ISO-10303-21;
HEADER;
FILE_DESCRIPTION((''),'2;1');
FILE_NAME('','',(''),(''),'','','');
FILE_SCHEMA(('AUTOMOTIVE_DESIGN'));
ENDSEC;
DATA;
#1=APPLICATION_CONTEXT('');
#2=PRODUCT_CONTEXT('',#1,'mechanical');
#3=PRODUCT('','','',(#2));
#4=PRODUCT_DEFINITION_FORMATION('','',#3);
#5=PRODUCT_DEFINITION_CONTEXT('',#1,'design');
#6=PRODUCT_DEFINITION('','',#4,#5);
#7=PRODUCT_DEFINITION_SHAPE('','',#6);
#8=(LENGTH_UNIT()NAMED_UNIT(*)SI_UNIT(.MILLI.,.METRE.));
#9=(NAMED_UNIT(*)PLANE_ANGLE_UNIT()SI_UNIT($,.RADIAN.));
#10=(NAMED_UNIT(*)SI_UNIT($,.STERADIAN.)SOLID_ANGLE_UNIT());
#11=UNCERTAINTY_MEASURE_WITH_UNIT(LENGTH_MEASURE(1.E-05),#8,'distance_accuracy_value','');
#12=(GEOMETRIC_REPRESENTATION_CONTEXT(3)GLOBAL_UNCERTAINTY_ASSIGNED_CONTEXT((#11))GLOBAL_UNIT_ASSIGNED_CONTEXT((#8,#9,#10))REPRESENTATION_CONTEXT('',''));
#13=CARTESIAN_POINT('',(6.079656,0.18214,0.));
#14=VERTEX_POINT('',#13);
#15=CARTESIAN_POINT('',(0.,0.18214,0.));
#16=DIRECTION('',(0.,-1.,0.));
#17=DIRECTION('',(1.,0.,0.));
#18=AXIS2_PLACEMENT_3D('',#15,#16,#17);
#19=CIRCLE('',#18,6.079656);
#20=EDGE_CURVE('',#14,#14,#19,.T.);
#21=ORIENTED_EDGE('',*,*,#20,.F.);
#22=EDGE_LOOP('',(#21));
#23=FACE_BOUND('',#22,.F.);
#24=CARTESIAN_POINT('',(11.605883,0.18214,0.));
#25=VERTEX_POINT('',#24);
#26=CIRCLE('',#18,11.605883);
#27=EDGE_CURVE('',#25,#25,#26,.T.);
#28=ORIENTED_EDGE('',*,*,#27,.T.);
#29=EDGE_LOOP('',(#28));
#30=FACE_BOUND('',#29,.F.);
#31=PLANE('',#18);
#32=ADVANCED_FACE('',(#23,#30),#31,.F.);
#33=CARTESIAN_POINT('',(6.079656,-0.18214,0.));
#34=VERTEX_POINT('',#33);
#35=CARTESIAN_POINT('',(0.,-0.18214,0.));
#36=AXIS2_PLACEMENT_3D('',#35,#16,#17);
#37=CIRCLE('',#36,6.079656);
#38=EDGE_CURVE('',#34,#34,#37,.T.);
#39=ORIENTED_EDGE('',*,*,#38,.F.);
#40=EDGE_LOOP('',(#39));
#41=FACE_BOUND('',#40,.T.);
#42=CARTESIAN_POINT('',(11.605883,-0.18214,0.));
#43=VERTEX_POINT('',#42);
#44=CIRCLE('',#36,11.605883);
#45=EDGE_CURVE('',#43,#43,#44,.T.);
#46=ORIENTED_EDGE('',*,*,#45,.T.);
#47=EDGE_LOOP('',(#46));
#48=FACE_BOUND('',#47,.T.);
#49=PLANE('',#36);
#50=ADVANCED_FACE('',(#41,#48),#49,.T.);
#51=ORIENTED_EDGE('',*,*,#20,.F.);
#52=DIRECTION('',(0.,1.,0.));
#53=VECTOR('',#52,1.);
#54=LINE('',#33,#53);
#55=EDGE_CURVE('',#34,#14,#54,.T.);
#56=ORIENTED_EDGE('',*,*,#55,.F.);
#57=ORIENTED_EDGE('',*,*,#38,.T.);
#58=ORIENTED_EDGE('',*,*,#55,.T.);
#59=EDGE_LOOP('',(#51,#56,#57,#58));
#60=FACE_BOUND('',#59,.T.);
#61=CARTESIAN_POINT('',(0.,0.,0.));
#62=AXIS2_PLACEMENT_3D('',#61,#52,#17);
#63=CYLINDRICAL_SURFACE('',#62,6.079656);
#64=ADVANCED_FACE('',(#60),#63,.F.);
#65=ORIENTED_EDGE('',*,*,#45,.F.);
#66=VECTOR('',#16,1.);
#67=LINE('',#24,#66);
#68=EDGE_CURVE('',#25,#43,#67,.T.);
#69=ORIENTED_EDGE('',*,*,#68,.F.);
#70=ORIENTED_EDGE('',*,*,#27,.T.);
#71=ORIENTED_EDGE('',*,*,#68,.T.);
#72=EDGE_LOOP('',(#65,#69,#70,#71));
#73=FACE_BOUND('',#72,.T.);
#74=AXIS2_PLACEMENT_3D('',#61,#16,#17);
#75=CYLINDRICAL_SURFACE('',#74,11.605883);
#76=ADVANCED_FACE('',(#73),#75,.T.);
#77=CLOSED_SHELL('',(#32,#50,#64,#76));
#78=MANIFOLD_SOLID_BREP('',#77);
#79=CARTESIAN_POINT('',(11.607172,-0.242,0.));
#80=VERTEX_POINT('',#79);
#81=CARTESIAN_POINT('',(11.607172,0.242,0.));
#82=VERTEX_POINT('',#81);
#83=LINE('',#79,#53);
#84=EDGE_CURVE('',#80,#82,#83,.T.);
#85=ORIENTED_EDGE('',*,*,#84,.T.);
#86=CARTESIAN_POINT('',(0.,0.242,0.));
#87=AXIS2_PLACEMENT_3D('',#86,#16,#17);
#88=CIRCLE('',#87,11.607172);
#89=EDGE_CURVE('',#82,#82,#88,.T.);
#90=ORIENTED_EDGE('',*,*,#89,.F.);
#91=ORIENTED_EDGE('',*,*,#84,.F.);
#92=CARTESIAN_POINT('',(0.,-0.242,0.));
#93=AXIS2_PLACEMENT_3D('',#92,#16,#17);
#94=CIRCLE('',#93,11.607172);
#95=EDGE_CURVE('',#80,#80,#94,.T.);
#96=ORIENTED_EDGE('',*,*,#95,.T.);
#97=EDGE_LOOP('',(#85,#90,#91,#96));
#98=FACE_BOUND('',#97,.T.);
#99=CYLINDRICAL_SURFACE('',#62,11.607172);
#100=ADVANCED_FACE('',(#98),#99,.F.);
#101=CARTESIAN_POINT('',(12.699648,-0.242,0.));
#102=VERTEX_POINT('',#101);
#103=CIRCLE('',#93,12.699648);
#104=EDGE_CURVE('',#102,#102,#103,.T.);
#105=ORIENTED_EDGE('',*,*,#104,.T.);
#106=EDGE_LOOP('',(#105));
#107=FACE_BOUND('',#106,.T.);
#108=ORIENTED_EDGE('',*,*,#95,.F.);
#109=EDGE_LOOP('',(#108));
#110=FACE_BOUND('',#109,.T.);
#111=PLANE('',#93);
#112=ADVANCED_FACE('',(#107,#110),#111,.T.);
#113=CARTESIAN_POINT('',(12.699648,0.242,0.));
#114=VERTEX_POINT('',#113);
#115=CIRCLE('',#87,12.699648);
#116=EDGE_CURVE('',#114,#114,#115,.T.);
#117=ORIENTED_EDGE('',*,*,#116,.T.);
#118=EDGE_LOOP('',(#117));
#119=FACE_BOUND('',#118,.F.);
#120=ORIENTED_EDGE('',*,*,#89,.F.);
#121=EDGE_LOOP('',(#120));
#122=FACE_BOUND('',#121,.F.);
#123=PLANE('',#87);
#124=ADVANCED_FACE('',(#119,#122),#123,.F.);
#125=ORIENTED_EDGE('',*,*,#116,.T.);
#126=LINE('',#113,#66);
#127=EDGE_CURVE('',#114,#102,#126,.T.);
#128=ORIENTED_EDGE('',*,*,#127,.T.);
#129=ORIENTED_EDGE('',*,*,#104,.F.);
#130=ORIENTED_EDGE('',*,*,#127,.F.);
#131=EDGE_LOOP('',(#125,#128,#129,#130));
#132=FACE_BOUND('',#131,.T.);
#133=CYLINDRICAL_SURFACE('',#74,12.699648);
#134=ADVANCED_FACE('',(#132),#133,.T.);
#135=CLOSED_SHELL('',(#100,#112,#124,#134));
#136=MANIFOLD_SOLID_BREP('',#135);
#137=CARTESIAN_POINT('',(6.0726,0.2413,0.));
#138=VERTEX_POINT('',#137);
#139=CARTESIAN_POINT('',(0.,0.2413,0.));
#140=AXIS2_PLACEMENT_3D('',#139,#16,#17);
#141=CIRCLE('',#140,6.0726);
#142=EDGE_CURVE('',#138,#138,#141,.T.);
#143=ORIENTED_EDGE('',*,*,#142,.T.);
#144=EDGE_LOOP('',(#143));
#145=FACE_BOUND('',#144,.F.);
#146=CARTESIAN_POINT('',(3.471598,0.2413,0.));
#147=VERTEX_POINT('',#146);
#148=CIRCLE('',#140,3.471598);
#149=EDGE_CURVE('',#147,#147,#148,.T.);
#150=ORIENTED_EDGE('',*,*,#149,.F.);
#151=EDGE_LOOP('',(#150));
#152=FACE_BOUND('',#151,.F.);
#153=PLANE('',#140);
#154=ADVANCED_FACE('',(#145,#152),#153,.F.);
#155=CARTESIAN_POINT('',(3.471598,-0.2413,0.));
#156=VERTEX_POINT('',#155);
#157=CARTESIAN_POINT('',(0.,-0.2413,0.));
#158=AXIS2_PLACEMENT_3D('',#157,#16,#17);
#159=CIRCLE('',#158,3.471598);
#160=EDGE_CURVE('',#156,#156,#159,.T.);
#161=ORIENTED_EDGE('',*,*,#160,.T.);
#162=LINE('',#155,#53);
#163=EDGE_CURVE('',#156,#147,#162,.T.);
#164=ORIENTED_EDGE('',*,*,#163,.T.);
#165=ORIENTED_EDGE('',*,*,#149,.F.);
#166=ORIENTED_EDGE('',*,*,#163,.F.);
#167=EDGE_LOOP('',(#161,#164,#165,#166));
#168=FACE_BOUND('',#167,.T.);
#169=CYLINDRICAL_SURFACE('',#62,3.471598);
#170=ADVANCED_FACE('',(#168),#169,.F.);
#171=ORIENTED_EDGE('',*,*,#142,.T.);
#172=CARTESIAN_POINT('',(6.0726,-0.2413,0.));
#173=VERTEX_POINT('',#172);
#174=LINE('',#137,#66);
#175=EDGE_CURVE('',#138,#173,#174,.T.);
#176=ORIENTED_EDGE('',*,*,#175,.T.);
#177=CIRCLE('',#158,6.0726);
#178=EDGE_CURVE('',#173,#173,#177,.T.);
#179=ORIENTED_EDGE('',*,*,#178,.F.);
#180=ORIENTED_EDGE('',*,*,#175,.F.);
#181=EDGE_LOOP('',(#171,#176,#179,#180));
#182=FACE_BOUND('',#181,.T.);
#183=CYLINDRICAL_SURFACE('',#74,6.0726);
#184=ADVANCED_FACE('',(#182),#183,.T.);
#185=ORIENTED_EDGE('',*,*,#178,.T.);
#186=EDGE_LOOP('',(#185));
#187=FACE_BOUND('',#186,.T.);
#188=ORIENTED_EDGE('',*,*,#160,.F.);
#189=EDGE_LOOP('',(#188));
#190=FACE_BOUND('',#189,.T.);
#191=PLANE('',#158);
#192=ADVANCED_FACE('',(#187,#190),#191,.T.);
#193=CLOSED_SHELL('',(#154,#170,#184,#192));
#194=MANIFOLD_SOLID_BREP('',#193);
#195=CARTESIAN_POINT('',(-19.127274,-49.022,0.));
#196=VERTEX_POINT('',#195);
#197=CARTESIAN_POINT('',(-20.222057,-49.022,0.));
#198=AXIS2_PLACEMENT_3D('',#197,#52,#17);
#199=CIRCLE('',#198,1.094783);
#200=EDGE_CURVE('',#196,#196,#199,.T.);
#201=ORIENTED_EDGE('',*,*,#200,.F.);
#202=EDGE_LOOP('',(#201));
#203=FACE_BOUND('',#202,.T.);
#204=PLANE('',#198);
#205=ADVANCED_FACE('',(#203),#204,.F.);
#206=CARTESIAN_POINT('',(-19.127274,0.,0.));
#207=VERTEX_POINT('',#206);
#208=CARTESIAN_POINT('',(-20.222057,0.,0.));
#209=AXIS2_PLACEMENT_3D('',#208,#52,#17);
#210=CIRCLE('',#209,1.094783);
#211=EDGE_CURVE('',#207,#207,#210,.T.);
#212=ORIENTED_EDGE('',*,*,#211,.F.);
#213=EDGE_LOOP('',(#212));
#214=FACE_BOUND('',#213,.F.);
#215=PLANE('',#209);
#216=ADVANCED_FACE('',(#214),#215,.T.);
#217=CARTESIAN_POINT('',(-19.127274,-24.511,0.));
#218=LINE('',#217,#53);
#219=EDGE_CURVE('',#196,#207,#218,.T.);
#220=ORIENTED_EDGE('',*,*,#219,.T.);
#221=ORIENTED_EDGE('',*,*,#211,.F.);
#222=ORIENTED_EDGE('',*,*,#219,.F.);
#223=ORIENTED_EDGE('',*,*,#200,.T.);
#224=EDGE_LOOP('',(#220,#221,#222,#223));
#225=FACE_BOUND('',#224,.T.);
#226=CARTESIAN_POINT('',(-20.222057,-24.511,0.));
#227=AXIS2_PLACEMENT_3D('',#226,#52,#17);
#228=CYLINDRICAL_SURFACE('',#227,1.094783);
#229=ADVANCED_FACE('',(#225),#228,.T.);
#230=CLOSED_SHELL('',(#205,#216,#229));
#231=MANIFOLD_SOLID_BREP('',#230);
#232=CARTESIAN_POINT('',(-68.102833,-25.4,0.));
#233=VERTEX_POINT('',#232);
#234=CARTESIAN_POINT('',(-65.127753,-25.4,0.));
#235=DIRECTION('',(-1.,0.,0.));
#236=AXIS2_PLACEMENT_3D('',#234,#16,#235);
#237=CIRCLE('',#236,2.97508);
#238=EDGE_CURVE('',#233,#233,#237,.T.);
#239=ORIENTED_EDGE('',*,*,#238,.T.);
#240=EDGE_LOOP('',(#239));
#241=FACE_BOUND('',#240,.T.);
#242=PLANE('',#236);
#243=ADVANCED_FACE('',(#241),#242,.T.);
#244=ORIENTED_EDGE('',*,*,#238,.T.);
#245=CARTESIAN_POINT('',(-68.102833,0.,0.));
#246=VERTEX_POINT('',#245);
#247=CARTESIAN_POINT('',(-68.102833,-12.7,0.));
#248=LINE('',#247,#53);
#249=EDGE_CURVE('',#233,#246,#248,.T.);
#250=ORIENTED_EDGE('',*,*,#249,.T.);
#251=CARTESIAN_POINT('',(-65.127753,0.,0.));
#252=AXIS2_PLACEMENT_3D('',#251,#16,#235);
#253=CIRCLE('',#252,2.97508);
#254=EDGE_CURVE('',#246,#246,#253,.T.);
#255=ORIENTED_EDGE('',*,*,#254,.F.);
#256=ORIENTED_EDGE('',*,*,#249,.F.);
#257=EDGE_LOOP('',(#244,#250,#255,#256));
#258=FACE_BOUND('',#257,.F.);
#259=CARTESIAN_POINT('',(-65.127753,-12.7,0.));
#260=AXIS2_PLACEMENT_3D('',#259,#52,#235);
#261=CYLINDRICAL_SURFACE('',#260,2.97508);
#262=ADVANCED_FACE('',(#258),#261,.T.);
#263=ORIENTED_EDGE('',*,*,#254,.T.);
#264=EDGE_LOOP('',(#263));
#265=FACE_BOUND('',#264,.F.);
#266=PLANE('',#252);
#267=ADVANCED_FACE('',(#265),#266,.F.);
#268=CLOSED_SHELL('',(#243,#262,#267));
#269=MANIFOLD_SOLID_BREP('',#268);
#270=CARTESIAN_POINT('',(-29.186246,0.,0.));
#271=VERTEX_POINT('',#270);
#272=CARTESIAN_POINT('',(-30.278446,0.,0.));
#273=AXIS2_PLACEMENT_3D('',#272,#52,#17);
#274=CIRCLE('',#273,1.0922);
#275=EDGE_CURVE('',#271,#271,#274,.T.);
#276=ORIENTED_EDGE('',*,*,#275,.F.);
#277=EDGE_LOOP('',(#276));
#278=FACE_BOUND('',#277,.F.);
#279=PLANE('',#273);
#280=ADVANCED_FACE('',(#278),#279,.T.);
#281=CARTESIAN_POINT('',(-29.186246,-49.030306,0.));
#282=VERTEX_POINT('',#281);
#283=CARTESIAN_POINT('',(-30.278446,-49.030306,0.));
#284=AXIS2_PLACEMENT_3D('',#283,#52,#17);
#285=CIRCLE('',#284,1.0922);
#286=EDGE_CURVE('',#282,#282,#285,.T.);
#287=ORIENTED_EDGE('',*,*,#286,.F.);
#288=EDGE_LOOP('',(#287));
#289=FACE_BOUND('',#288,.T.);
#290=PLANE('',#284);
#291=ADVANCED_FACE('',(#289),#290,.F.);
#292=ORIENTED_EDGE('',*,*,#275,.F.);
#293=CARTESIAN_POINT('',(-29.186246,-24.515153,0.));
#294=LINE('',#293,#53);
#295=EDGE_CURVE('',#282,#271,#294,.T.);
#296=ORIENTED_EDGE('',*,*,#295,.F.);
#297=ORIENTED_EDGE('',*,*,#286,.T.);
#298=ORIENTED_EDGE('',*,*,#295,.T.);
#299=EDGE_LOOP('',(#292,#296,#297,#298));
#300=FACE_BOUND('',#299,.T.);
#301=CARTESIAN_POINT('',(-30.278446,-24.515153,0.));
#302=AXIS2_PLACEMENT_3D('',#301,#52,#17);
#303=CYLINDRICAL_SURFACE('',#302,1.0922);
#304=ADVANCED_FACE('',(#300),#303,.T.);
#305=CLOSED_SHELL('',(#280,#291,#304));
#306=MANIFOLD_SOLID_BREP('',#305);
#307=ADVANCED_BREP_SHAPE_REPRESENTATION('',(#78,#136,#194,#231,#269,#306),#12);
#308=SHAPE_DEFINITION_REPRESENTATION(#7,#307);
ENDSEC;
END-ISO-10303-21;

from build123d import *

# Parameters (mm, degrees)
F0_R     = 6.0725998207
F0_R_2   = 3.4715977251
F1_DEPTH = 0.2413
F0_R_3   = 11.6058825816
F0_R_4   = 6.0796561399
F2_DEPTH = 0.18214
F0_R_5   = 12.6996477949
F0_R_6   = 11.6071716778
F3_DEPTH = 0.242
F4_W     = 2.9750799122
F4_H     = 25.4
F6_W     = 1.0922
F6_H     = 49.0303058
F8_W     = 1.094782725
F8_H     = 49.022


with BuildPart() as f1:
    # F0 (on Front) → F1 (new body, symmetric)
    with BuildSketch(Plane.XZ):
        Circle(F0_R)
        Circle(F0_R_2, mode=Mode.SUBTRACT)
    extrude(amount=F1_DEPTH, both=True)


with BuildPart() as f2:
    # F0 (on Front) → F2 (new body, symmetric)
    with BuildSketch(Plane.XZ):
        Circle(F0_R_3)
        Circle(F0_R_4, mode=Mode.SUBTRACT)
    extrude(amount=F2_DEPTH, both=True)


with BuildPart() as f3:
    # F0 (on Front) → F3 (new body, symmetric)
    with BuildSketch(Plane.XZ):
        Circle(F0_R_5)
        Circle(F0_R_6, mode=Mode.SUBTRACT)
    extrude(amount=F3_DEPTH, both=True)


with BuildPart() as f5:
    # F4 (on Top) → F5 (revolve)
    with BuildSketch(Plane.XY):
        with Locations((-66.6152926774, -12.7)):
            Rectangle(F4_W, F4_H)
    revolve(axis=Axis((-65.1277527213, -12.7, 0), (0, -1, 0)))


with BuildPart() as f7:
    # F6 (on Top) → F7 (revolve)
    with BuildSketch(Plane.XY):
        with Locations((-29.7323461086, -24.5151529)):
            Rectangle(F6_W, F6_H)
    revolve(axis=Axis((-30.2784461086, -24.5151529, 0), (0, 1, 0)))


with BuildPart() as f9:
    # F8 (on Top) → F9 (revolve)
    with BuildSketch(Plane.XY):
        with Locations((-19.6746652946, -24.511)):
            Rectangle(F8_W, F8_H)
    revolve(axis=Axis((-20.2220566571, -24.511, 0), (0, 1, 0)))


solid = Compound([f1.part, f2.part, f3.part, f5.part, f7.part, f9.part])
